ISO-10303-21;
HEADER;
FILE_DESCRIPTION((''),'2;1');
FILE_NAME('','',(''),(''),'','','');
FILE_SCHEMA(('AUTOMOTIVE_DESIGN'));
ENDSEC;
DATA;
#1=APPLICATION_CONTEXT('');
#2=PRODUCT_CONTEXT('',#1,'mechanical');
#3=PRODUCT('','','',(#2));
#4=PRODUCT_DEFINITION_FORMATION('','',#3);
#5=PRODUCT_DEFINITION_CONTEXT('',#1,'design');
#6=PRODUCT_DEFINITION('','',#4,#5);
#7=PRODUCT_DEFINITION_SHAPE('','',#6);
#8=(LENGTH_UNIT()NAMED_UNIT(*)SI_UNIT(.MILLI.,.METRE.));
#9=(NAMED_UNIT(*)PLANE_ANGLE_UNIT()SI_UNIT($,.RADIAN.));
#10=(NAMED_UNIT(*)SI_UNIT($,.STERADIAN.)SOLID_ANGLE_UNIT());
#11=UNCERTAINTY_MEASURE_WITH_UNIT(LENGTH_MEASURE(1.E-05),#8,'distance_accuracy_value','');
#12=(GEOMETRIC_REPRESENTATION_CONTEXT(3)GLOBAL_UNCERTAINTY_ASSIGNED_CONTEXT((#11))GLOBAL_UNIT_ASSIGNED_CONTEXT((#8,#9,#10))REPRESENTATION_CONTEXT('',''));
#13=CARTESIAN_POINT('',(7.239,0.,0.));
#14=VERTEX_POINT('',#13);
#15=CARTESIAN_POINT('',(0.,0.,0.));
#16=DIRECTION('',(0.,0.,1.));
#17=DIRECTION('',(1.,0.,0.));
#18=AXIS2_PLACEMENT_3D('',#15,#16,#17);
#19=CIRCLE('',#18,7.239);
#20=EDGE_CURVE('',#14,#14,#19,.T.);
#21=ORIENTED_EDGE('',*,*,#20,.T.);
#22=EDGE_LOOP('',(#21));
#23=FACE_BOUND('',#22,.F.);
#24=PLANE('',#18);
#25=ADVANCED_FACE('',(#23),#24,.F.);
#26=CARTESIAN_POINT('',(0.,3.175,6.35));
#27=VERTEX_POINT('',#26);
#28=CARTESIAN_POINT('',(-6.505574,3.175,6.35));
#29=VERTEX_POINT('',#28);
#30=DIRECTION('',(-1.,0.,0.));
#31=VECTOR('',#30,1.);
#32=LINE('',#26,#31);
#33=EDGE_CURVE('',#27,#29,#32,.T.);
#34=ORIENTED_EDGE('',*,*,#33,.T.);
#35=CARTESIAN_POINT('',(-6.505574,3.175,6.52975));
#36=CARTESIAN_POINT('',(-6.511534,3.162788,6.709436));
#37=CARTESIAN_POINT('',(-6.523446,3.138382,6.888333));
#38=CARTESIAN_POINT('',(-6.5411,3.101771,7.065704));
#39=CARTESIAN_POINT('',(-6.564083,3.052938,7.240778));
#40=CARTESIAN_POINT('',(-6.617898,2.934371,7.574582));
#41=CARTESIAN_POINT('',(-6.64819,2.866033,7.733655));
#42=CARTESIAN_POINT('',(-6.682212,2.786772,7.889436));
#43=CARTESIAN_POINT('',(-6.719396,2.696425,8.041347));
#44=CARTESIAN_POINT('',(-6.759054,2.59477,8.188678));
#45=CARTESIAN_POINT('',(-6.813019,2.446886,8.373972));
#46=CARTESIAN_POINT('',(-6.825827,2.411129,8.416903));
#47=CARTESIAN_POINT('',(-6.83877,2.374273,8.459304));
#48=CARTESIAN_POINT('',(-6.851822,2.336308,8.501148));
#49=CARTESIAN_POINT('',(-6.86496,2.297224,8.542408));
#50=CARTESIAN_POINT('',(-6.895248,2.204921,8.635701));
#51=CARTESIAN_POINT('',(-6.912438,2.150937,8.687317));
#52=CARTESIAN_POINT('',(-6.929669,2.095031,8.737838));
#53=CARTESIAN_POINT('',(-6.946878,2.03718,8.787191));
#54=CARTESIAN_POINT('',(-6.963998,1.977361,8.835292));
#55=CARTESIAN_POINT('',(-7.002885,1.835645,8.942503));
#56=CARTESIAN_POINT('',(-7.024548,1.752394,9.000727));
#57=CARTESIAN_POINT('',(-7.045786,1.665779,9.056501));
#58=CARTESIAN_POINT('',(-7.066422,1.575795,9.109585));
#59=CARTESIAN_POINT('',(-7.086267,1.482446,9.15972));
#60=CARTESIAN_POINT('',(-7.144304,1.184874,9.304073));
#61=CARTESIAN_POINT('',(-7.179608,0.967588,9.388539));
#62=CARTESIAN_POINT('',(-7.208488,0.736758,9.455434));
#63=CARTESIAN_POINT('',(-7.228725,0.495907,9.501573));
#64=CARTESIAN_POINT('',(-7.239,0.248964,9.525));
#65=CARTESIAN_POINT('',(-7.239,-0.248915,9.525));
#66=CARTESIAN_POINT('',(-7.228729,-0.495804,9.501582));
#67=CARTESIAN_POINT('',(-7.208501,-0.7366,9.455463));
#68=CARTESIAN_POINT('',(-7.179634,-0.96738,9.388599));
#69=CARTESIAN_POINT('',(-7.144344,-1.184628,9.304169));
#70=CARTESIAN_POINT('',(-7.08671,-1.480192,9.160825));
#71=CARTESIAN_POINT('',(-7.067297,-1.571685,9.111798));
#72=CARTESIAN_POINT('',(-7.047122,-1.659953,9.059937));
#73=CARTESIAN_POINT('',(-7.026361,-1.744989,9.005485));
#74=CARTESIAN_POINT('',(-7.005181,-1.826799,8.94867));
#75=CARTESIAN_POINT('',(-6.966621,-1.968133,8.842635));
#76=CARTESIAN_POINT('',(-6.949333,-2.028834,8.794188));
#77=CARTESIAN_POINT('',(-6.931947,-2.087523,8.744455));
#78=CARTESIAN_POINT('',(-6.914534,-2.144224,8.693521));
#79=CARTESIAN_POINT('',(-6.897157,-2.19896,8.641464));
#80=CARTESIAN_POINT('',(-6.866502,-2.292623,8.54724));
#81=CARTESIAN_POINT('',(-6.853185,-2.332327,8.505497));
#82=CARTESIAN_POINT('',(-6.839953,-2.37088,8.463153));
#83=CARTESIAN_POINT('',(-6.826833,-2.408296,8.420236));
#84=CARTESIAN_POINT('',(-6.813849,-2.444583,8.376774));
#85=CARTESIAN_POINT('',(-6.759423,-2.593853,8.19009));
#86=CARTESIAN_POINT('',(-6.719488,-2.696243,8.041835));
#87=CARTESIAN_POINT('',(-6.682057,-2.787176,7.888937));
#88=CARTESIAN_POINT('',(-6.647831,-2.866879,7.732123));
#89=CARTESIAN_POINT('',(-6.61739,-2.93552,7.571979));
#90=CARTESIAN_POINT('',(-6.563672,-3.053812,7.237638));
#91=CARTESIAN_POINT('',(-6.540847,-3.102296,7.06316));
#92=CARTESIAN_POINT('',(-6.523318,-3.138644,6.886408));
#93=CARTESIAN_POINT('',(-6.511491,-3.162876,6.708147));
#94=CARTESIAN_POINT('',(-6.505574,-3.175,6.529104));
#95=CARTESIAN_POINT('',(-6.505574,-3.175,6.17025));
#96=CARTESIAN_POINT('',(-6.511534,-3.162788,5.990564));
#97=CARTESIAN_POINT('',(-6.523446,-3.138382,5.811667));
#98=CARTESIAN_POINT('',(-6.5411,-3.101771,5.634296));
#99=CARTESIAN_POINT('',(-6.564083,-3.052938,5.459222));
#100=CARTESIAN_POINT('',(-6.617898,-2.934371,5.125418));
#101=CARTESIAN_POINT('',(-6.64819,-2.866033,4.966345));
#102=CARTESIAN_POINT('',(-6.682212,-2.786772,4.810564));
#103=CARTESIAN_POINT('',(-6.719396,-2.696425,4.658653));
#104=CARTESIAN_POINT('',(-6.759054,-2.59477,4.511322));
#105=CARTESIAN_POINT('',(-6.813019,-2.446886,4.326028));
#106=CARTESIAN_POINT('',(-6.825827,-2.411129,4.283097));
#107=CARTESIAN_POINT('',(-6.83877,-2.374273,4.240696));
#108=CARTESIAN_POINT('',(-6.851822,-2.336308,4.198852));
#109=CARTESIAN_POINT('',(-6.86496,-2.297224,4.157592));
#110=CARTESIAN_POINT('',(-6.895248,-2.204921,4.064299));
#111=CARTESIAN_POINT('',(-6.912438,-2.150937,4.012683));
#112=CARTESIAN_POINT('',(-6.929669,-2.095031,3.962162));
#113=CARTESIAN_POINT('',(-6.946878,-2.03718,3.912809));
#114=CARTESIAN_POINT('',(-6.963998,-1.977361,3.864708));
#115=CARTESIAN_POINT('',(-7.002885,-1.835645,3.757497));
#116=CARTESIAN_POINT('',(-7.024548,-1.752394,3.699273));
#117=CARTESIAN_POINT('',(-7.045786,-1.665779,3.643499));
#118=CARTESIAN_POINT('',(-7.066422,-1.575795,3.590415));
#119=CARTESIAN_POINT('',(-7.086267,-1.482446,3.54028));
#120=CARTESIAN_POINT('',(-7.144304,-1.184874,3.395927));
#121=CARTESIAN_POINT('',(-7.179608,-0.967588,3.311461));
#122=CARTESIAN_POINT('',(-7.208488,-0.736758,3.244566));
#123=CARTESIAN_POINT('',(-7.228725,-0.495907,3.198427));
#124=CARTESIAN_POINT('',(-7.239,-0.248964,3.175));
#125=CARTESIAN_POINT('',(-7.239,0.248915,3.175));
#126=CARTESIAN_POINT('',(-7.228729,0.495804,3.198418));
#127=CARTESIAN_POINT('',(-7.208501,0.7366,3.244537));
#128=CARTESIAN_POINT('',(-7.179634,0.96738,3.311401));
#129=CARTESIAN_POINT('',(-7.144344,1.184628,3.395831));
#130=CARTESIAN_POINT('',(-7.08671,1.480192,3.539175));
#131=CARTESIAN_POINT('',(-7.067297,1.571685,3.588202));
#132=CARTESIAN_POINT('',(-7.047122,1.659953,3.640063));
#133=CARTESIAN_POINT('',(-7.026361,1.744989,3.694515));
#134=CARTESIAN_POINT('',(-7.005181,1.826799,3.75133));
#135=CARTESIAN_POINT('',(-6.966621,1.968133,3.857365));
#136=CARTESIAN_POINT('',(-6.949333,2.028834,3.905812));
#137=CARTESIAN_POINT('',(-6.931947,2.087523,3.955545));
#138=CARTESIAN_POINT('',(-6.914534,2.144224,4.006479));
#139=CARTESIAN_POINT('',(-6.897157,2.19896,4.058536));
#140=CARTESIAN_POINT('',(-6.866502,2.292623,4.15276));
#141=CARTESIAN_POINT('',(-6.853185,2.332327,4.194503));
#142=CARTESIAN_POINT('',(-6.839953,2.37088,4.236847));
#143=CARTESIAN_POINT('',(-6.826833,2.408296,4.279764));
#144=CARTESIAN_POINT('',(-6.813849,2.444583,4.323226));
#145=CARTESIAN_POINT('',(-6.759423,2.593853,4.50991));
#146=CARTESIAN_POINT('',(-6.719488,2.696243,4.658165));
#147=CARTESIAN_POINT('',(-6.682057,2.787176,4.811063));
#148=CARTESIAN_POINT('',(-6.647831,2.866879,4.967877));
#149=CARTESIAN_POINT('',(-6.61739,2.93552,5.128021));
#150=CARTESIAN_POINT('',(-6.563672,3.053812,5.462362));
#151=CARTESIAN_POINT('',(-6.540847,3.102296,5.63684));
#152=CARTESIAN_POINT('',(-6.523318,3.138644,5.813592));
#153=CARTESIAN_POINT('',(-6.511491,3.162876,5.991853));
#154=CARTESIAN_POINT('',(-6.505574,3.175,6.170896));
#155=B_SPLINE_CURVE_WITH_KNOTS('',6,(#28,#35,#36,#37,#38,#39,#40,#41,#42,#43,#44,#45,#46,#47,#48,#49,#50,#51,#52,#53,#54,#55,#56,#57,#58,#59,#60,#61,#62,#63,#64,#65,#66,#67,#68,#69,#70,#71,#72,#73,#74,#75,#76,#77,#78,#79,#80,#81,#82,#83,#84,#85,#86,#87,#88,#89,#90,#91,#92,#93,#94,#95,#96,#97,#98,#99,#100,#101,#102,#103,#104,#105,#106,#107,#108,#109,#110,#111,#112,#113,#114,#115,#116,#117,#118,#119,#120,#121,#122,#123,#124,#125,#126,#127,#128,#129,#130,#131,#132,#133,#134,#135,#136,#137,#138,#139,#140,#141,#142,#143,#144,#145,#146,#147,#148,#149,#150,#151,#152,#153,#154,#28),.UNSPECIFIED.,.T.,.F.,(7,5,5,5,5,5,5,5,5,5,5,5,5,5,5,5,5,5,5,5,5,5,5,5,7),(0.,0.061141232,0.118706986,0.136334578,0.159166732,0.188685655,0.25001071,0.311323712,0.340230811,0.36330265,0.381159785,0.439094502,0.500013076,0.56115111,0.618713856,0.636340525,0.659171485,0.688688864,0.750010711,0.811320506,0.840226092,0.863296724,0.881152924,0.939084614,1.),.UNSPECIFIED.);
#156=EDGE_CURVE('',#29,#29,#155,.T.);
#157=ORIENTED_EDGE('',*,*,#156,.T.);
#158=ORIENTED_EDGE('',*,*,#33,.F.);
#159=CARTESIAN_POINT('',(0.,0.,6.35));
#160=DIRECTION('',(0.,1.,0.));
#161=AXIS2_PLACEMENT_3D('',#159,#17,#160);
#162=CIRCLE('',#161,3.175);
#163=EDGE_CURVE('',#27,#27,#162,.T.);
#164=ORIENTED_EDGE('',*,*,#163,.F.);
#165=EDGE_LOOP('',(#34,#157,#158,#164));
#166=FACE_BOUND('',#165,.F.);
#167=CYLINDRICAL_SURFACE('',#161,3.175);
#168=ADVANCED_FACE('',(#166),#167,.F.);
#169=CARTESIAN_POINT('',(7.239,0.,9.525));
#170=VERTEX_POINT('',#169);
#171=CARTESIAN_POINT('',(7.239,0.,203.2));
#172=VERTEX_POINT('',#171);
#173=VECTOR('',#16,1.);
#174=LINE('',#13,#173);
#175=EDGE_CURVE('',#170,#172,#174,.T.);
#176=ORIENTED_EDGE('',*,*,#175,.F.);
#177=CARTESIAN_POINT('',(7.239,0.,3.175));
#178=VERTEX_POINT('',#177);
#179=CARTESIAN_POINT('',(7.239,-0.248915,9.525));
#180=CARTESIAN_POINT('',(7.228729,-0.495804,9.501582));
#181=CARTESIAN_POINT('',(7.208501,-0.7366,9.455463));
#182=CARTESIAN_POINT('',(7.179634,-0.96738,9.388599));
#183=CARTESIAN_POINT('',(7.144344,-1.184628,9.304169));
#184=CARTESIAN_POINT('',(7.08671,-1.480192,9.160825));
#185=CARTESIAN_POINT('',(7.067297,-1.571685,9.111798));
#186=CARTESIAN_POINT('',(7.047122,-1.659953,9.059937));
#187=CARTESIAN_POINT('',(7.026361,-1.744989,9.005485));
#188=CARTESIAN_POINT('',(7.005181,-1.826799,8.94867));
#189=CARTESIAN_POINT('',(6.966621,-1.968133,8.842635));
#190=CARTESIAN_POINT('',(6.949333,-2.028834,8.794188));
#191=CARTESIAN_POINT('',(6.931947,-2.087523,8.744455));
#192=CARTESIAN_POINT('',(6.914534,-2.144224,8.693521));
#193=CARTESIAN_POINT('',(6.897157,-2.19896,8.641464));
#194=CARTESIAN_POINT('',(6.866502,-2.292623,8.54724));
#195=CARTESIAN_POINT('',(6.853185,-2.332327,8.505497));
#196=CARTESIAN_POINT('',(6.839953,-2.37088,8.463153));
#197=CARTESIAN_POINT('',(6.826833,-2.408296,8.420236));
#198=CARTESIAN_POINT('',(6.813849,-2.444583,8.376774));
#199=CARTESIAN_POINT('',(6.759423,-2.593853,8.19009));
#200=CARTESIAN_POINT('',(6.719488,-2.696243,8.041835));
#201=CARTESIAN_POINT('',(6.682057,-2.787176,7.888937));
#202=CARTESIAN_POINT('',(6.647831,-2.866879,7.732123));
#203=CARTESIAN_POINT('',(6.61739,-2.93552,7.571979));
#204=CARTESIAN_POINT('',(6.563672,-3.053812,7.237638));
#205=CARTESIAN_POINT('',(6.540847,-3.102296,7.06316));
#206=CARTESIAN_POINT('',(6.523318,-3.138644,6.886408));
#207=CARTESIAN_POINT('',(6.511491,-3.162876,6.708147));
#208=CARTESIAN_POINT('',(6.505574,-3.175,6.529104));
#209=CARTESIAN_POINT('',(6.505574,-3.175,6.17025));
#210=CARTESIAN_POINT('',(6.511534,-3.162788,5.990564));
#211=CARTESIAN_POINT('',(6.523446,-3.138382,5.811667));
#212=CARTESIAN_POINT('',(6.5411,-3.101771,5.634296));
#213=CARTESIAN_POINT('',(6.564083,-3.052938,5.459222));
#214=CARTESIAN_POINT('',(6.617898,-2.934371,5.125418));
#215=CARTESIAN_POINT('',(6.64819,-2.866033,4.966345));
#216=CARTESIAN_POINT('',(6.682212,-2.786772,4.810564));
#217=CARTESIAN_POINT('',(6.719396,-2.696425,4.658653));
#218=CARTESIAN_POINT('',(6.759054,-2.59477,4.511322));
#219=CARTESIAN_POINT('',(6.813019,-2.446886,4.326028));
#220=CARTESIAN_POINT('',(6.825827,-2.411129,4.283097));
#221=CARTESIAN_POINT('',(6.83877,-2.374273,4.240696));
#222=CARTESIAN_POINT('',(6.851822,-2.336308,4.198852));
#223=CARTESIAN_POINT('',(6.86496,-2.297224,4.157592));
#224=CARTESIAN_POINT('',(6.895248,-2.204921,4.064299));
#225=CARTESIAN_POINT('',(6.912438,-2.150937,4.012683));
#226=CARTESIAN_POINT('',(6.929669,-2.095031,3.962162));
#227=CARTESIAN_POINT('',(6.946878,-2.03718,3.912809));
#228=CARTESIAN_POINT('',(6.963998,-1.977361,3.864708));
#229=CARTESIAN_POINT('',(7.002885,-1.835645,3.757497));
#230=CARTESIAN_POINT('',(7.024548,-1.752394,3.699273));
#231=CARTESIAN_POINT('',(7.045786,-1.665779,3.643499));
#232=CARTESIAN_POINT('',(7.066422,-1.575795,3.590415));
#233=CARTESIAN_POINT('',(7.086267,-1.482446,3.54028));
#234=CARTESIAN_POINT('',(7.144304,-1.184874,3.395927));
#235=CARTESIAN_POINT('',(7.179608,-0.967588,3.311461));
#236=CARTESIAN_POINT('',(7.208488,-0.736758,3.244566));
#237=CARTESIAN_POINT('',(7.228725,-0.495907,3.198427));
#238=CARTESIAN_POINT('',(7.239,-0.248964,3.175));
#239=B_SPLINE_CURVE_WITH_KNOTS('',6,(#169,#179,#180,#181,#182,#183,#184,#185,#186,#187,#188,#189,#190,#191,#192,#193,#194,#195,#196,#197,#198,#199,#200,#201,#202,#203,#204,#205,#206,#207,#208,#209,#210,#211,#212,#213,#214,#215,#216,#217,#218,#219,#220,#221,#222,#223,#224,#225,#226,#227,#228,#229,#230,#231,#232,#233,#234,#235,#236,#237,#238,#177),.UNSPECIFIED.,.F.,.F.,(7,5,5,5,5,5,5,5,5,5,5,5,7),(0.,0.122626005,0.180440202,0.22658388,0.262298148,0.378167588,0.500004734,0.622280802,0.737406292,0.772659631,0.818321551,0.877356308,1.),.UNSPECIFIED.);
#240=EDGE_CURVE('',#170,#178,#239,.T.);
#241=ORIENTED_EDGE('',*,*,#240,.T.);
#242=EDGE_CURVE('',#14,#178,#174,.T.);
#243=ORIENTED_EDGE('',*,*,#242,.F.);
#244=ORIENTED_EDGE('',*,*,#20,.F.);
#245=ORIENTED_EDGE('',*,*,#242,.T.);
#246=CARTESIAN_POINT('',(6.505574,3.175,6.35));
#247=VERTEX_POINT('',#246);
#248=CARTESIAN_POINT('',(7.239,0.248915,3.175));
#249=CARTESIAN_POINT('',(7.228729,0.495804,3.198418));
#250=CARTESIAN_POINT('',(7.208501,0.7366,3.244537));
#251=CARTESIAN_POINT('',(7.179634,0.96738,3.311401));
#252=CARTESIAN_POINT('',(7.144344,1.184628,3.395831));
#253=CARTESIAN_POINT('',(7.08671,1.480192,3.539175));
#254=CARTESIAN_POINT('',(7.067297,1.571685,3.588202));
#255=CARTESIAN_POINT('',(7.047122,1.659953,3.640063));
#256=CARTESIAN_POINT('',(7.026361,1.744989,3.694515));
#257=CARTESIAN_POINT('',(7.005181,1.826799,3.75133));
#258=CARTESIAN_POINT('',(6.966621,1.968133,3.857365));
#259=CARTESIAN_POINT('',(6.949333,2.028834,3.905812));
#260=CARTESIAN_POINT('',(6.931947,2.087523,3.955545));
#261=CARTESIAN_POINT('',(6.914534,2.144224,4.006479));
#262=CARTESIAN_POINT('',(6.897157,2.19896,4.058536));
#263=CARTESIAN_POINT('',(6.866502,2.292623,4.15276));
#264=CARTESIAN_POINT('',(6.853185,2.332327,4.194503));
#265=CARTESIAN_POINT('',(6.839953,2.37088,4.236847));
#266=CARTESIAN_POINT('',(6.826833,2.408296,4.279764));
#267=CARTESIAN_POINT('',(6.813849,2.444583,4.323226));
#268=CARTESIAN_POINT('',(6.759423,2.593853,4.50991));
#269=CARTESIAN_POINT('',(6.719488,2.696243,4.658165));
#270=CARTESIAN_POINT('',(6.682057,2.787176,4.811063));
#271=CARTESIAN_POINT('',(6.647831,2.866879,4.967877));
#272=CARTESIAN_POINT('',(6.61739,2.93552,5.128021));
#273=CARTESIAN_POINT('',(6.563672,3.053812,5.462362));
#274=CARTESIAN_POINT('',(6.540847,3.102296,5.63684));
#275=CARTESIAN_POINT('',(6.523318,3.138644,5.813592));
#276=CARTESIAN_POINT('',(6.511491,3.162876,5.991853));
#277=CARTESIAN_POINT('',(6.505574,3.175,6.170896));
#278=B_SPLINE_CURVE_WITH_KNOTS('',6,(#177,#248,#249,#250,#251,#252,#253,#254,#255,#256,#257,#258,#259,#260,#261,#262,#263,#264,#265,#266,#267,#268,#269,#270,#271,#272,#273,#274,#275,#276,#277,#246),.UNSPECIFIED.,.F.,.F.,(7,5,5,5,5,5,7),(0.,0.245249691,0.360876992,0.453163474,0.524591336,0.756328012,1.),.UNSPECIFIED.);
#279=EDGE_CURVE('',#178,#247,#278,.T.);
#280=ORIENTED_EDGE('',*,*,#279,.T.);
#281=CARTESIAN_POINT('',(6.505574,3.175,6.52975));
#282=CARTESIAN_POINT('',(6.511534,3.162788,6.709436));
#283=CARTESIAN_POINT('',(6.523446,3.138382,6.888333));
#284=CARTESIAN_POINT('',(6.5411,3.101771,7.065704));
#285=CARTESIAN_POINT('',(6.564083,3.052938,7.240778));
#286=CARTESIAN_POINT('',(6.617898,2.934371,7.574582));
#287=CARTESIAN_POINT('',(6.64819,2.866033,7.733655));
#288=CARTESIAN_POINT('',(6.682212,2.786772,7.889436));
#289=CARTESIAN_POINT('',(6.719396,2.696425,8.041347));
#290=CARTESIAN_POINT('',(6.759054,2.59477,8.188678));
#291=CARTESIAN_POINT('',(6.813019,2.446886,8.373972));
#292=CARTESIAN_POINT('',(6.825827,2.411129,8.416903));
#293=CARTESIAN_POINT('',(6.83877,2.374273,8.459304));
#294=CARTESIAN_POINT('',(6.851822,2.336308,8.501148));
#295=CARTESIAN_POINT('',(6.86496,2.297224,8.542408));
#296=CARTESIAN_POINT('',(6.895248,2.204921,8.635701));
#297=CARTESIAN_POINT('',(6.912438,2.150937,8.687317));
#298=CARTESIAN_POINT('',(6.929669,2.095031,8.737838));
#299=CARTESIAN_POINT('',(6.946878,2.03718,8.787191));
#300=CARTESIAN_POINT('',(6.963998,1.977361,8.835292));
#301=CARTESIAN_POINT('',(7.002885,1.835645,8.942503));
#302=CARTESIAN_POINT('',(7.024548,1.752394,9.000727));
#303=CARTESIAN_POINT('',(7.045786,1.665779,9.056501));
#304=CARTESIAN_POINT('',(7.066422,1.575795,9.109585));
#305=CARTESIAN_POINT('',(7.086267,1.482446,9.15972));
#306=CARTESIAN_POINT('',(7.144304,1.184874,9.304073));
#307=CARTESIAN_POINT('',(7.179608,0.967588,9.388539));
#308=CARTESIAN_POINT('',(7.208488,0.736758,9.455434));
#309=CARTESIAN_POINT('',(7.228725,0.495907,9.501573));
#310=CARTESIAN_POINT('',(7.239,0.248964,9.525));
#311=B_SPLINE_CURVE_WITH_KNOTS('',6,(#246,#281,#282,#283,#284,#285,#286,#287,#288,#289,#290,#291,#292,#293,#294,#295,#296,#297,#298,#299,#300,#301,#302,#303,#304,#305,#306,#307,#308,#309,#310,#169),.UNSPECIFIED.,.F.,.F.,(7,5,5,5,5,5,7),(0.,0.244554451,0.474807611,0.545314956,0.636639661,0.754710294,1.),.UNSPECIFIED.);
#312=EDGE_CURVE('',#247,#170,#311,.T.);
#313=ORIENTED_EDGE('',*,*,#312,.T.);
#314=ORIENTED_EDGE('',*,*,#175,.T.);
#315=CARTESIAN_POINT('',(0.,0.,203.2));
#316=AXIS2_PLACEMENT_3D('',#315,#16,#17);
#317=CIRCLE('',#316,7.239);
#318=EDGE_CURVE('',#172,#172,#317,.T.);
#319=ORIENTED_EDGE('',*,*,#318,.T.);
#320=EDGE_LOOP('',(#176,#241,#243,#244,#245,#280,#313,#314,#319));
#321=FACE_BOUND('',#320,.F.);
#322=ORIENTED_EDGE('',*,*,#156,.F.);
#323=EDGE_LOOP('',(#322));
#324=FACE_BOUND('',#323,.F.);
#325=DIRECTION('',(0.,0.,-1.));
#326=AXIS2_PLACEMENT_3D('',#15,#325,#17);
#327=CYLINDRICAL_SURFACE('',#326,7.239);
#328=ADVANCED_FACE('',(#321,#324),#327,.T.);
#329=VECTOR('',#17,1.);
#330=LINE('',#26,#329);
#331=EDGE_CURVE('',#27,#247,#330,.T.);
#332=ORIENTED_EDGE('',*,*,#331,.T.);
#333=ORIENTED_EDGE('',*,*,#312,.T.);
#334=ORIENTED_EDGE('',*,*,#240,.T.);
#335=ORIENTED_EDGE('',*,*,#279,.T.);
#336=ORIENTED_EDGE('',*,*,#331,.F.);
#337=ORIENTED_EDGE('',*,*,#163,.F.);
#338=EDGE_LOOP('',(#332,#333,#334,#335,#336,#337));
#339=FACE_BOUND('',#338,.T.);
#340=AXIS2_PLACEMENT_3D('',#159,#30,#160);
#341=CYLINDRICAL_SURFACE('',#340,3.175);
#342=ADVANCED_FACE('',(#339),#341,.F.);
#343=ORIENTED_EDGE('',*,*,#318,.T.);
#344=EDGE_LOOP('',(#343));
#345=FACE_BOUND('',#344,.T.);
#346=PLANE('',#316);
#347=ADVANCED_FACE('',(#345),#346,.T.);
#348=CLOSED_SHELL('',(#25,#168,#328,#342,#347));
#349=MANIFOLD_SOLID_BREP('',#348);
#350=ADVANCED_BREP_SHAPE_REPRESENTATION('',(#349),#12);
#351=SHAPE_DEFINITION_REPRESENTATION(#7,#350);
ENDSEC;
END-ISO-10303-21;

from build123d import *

# Parameters (mm, degrees)
F0_R          = 7.239
F1_DEPTH      = 203.2
F2_R          = 3.175
F3_DEPTH      = 25.4
F3_DEPTH_BACK = 25.4


with BuildPart() as f1:
    # F0 (on Top) → F1 (new body)
    with BuildSketch(Plane.XY):
        Circle(F0_R)
    extrude(amount=F1_DEPTH)

    # F2 (on Right) → F3 (cut, two sides)
    with BuildSketch(Plane.YZ) as f3_sk:
        with Locations((0, 6.35)):
            Circle(F2_R)
    extrude(amount=-F3_DEPTH, mode=Mode.SUBTRACT)
    extrude(f3_sk.sketch, amount=F3_DEPTH_BACK, mode=Mode.SUBTRACT)


solid = f1.part
